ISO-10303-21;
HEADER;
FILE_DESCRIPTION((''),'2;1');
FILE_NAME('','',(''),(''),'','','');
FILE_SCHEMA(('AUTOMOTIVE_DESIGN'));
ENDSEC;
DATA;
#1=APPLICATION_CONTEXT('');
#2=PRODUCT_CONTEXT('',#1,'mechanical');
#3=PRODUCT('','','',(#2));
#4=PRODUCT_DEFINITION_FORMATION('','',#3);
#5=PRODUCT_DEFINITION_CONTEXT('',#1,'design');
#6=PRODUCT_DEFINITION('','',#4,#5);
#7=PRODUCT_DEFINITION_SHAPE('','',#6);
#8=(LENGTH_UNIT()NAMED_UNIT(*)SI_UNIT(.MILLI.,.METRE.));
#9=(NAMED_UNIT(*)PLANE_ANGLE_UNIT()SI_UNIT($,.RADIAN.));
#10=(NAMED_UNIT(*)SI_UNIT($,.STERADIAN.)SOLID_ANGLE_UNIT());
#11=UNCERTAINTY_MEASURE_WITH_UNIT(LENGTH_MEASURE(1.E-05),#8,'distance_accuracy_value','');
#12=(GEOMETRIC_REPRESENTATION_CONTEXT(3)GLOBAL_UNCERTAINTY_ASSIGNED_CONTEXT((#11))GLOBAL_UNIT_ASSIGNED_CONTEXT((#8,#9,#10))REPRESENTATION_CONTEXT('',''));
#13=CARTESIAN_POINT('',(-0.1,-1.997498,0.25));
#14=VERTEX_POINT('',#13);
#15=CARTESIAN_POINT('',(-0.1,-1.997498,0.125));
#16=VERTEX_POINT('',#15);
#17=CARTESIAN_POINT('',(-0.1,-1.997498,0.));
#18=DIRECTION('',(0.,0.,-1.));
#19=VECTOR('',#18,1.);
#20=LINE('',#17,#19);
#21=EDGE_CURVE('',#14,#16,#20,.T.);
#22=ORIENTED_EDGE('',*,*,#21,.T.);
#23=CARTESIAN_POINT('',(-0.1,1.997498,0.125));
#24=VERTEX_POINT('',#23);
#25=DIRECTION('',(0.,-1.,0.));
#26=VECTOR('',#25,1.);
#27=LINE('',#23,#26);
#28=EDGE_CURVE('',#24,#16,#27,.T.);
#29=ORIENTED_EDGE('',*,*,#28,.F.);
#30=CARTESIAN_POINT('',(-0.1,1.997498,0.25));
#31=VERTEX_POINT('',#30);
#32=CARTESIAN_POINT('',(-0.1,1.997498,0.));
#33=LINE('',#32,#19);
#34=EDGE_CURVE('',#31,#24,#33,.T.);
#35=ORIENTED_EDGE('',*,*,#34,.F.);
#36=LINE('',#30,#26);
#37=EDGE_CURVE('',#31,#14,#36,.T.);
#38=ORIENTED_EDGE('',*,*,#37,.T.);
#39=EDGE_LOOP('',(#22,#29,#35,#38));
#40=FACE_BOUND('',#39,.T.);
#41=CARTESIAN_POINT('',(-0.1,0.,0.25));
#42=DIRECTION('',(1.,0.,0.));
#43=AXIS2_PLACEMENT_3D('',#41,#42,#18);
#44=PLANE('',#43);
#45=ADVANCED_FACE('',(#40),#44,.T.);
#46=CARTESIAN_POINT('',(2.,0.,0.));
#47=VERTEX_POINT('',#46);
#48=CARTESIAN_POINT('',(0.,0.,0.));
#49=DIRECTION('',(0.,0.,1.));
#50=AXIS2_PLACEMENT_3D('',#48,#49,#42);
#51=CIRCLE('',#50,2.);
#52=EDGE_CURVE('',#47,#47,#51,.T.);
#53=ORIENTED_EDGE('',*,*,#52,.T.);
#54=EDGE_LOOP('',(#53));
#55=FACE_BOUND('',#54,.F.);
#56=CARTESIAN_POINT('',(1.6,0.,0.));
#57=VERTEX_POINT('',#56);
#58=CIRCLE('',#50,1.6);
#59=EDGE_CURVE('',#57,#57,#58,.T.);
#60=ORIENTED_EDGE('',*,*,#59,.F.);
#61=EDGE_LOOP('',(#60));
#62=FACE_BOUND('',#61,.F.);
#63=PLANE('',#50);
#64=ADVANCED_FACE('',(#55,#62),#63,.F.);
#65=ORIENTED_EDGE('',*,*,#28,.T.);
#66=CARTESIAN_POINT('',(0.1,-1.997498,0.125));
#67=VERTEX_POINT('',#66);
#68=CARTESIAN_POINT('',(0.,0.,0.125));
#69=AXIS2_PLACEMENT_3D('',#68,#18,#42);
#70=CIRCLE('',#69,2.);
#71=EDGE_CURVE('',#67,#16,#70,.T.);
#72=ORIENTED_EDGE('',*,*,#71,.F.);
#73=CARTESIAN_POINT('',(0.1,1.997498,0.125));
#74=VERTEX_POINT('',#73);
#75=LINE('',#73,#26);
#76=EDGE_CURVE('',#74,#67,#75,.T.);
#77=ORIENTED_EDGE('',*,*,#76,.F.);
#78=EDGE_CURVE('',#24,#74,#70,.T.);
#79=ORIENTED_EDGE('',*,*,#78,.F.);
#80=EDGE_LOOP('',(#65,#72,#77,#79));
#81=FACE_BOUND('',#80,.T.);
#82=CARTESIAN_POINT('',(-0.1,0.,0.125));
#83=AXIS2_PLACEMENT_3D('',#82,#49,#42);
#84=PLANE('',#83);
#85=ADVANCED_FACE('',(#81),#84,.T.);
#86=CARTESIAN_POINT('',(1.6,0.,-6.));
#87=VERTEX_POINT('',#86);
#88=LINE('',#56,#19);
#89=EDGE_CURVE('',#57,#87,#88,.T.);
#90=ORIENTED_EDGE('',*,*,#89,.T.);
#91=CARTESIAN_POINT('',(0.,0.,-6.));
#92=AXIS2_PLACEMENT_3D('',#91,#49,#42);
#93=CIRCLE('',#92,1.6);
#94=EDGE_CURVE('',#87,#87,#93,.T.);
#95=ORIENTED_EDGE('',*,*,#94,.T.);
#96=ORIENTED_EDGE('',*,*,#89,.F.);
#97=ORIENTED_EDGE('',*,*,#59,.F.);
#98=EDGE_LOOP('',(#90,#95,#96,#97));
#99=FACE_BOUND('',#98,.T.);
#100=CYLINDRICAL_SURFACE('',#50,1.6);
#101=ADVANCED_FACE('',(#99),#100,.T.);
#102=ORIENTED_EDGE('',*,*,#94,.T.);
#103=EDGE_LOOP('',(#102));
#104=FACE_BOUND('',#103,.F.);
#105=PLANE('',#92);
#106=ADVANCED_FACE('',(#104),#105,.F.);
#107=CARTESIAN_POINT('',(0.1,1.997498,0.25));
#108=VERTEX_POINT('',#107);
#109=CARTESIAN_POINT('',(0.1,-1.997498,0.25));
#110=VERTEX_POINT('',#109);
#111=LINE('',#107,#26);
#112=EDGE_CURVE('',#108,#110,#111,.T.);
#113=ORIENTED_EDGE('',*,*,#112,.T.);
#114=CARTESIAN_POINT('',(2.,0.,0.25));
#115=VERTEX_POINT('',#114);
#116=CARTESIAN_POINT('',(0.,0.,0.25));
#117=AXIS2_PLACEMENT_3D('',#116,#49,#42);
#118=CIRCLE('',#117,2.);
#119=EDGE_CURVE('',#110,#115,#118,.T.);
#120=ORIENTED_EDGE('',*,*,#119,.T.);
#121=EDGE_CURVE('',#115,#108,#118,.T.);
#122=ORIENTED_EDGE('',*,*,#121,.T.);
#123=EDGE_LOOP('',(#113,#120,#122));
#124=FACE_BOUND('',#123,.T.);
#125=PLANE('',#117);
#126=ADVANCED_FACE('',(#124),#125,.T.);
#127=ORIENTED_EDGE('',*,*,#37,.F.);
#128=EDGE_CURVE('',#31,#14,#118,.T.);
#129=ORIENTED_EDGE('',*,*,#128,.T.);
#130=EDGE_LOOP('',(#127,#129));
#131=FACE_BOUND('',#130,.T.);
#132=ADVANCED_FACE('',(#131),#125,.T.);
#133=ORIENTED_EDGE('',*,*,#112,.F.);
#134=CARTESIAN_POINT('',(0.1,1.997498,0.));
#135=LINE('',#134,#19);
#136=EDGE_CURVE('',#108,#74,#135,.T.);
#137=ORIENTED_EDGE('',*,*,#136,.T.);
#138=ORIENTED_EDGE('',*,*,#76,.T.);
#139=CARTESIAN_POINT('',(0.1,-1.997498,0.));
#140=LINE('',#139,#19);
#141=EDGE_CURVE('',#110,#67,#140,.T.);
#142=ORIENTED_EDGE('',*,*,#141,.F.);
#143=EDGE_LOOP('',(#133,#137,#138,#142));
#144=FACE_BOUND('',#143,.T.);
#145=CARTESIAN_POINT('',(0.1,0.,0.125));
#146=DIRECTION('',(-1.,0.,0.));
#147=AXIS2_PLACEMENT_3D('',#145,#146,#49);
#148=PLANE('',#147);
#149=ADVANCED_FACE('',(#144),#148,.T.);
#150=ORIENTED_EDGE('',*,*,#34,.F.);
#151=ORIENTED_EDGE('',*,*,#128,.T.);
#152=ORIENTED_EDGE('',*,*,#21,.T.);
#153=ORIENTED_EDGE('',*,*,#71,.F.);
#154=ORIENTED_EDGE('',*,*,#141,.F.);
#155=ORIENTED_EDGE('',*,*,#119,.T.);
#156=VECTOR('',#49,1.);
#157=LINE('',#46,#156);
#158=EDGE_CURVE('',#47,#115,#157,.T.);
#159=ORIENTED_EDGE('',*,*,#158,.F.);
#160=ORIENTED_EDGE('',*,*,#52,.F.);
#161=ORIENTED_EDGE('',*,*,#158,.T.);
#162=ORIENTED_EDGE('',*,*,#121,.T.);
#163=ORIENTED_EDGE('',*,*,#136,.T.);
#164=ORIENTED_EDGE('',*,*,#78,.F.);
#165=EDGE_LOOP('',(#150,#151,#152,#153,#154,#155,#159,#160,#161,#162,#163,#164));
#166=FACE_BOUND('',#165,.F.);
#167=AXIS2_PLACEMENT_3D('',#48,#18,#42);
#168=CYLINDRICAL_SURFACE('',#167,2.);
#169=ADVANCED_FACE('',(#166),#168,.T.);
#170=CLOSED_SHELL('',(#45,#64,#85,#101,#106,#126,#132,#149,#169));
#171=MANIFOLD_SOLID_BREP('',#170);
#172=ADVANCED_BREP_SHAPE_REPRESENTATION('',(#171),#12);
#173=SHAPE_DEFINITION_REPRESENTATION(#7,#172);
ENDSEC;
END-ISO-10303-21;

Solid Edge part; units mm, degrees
sketch "Sketch1" plane through (0, 0, 0) normal (0, 0, 1) x (1, 0, 0)
  circle A0 centre (0, 0) radius 1.6
extrude "Protrusion1" add sketch "Sketch1" against normal blind 6
sketch "Sketch2" plane through (0, 0, 0) normal (0, 0, 1) x (1, 0, 0)
  circle A0 centre (0, 0) radius 2
extrude "ExtrudedProtrusion_2" add sketch "Sketch2" along normal blind 0.25
sketch "Sketch3" plane through (0, 0, 0) normal (0, -1, 0) x (1, 0, 0)
  line L0 (0.1, 0.125) -> (0.1, 0.25)
  line L1 (0.1, 0.25) -> (-0.1, 0.25)
  line L2 (-0.1, 0.25) -> (-0.1, 0.125)
  line L3 (-0.1, 0.125) -> (0.1, 0.125)
extrude "Cutout1" cut sketch "Sketch3" against normal up to next
sketch "Sketch4" plane through (0, 0, 0) normal (0, -1, 0) x (1, 0, 0)
  line L0 (0.1, 0.25) -> (-0.1, 0.25)
  line L1 (-0.1, 0.25) -> (-0.1, 0.125)
  line L2 (-0.1, 0.125) -> (0.1, 0.125)
  line L3 (0.1, 0.125) -> (0.1, 0.25)
extrude "Cutout2" cut sketch "Sketch4" along normal up to next
